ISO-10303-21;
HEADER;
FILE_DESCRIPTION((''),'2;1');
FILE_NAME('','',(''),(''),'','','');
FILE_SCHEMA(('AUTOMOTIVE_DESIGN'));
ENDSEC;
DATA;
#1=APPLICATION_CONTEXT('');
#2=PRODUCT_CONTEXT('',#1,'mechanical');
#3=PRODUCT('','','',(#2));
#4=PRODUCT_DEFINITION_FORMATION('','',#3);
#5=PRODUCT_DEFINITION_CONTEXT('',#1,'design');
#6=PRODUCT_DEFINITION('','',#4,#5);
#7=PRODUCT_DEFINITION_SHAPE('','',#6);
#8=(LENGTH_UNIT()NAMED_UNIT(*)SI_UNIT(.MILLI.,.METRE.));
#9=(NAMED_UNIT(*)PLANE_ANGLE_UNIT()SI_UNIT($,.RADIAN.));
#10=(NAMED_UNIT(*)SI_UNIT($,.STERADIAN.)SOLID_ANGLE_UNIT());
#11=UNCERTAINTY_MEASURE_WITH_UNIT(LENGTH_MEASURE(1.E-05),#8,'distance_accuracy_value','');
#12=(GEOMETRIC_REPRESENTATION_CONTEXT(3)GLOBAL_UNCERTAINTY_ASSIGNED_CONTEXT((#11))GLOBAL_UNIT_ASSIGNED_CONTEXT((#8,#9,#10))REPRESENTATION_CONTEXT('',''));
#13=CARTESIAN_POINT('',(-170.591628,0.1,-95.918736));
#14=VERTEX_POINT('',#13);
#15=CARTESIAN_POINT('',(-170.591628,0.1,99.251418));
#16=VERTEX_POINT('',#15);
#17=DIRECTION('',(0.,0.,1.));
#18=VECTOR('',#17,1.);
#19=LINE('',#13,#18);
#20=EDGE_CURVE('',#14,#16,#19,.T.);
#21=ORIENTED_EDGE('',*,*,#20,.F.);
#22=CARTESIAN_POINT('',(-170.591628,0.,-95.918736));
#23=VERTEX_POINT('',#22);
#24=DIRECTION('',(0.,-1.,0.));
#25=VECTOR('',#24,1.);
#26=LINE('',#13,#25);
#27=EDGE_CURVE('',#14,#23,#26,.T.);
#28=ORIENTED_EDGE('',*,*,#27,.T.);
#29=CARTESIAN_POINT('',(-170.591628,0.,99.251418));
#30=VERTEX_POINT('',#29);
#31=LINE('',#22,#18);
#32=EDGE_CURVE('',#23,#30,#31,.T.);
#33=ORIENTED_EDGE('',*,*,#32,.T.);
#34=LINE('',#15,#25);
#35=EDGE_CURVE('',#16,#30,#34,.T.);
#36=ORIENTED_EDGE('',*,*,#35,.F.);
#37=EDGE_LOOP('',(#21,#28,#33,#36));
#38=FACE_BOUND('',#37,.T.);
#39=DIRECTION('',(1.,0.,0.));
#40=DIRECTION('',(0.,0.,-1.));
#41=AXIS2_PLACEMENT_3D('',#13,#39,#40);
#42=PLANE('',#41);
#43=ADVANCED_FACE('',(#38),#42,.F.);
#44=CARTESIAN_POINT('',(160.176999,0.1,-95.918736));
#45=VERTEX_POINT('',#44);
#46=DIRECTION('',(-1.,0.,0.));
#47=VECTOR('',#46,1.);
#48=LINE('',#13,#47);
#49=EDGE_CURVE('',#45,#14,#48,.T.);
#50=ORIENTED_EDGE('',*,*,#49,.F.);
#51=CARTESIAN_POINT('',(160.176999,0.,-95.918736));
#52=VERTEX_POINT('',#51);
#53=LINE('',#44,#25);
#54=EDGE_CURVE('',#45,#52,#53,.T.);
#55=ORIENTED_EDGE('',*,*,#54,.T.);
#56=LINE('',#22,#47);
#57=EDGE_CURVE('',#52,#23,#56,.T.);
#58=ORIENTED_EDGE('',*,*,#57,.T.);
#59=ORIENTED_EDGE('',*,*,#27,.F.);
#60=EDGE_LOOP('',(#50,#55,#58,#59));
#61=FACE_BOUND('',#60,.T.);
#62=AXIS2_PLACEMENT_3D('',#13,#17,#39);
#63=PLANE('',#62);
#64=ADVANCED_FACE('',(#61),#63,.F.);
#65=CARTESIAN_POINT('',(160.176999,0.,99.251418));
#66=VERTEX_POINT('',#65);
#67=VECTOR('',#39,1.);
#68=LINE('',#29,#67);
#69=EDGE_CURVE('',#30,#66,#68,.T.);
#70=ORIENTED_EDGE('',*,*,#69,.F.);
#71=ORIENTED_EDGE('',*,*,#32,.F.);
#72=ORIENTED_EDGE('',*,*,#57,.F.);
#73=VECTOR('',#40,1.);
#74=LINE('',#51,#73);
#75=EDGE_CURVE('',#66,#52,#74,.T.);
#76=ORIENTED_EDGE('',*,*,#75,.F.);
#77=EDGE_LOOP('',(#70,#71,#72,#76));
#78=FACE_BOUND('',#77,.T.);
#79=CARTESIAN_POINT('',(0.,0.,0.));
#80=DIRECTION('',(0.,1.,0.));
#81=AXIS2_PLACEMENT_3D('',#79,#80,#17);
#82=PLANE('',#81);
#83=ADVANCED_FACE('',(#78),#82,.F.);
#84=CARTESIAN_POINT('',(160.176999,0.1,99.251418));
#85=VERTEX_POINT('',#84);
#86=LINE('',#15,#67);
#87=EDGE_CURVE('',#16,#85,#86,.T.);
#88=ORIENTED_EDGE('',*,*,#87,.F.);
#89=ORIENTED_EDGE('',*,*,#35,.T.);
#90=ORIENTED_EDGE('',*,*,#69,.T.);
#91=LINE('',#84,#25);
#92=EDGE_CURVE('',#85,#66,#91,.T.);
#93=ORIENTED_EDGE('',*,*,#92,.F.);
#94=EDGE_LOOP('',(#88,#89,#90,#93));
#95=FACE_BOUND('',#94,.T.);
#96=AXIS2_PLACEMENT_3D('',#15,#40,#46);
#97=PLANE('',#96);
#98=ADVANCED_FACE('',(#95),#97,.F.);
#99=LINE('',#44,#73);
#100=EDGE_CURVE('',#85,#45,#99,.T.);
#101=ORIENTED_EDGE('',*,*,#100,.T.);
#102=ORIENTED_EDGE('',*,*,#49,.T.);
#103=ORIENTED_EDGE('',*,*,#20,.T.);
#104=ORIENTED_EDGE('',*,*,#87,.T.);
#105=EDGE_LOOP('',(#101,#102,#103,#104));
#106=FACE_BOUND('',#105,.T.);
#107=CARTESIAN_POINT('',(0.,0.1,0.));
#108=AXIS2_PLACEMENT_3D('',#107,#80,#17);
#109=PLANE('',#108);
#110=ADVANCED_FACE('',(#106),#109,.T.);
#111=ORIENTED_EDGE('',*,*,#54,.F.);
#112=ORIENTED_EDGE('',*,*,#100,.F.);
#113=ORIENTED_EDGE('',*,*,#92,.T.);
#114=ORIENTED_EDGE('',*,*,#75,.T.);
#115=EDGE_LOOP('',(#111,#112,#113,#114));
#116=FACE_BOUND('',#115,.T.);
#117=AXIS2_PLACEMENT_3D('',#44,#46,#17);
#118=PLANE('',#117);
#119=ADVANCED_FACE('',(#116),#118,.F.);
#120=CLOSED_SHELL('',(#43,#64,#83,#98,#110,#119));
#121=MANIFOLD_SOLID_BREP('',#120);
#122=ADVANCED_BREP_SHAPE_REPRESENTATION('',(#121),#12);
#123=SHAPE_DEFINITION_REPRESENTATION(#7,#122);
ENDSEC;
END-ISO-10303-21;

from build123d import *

# Parameters (mm, degrees)
SKETCH_1_W      = 330.768627623
SKETCH_1_H      = 195.170153705
EXTRUDE_1_DEPTH = 0.1


with BuildPart() as part:
    # 草图1 → 凸台-拉伸1 (new body)
    with BuildSketch(Plane(origin=(0, 0, 0), x_dir=(1, 0, 0), z_dir=(0, 1, 0))):
        with Locations((-5.207314667, -1.666340694)):
            Rectangle(SKETCH_1_W, SKETCH_1_H)
    extrude(amount=EXTRUDE_1_DEPTH)


solid = part.part
